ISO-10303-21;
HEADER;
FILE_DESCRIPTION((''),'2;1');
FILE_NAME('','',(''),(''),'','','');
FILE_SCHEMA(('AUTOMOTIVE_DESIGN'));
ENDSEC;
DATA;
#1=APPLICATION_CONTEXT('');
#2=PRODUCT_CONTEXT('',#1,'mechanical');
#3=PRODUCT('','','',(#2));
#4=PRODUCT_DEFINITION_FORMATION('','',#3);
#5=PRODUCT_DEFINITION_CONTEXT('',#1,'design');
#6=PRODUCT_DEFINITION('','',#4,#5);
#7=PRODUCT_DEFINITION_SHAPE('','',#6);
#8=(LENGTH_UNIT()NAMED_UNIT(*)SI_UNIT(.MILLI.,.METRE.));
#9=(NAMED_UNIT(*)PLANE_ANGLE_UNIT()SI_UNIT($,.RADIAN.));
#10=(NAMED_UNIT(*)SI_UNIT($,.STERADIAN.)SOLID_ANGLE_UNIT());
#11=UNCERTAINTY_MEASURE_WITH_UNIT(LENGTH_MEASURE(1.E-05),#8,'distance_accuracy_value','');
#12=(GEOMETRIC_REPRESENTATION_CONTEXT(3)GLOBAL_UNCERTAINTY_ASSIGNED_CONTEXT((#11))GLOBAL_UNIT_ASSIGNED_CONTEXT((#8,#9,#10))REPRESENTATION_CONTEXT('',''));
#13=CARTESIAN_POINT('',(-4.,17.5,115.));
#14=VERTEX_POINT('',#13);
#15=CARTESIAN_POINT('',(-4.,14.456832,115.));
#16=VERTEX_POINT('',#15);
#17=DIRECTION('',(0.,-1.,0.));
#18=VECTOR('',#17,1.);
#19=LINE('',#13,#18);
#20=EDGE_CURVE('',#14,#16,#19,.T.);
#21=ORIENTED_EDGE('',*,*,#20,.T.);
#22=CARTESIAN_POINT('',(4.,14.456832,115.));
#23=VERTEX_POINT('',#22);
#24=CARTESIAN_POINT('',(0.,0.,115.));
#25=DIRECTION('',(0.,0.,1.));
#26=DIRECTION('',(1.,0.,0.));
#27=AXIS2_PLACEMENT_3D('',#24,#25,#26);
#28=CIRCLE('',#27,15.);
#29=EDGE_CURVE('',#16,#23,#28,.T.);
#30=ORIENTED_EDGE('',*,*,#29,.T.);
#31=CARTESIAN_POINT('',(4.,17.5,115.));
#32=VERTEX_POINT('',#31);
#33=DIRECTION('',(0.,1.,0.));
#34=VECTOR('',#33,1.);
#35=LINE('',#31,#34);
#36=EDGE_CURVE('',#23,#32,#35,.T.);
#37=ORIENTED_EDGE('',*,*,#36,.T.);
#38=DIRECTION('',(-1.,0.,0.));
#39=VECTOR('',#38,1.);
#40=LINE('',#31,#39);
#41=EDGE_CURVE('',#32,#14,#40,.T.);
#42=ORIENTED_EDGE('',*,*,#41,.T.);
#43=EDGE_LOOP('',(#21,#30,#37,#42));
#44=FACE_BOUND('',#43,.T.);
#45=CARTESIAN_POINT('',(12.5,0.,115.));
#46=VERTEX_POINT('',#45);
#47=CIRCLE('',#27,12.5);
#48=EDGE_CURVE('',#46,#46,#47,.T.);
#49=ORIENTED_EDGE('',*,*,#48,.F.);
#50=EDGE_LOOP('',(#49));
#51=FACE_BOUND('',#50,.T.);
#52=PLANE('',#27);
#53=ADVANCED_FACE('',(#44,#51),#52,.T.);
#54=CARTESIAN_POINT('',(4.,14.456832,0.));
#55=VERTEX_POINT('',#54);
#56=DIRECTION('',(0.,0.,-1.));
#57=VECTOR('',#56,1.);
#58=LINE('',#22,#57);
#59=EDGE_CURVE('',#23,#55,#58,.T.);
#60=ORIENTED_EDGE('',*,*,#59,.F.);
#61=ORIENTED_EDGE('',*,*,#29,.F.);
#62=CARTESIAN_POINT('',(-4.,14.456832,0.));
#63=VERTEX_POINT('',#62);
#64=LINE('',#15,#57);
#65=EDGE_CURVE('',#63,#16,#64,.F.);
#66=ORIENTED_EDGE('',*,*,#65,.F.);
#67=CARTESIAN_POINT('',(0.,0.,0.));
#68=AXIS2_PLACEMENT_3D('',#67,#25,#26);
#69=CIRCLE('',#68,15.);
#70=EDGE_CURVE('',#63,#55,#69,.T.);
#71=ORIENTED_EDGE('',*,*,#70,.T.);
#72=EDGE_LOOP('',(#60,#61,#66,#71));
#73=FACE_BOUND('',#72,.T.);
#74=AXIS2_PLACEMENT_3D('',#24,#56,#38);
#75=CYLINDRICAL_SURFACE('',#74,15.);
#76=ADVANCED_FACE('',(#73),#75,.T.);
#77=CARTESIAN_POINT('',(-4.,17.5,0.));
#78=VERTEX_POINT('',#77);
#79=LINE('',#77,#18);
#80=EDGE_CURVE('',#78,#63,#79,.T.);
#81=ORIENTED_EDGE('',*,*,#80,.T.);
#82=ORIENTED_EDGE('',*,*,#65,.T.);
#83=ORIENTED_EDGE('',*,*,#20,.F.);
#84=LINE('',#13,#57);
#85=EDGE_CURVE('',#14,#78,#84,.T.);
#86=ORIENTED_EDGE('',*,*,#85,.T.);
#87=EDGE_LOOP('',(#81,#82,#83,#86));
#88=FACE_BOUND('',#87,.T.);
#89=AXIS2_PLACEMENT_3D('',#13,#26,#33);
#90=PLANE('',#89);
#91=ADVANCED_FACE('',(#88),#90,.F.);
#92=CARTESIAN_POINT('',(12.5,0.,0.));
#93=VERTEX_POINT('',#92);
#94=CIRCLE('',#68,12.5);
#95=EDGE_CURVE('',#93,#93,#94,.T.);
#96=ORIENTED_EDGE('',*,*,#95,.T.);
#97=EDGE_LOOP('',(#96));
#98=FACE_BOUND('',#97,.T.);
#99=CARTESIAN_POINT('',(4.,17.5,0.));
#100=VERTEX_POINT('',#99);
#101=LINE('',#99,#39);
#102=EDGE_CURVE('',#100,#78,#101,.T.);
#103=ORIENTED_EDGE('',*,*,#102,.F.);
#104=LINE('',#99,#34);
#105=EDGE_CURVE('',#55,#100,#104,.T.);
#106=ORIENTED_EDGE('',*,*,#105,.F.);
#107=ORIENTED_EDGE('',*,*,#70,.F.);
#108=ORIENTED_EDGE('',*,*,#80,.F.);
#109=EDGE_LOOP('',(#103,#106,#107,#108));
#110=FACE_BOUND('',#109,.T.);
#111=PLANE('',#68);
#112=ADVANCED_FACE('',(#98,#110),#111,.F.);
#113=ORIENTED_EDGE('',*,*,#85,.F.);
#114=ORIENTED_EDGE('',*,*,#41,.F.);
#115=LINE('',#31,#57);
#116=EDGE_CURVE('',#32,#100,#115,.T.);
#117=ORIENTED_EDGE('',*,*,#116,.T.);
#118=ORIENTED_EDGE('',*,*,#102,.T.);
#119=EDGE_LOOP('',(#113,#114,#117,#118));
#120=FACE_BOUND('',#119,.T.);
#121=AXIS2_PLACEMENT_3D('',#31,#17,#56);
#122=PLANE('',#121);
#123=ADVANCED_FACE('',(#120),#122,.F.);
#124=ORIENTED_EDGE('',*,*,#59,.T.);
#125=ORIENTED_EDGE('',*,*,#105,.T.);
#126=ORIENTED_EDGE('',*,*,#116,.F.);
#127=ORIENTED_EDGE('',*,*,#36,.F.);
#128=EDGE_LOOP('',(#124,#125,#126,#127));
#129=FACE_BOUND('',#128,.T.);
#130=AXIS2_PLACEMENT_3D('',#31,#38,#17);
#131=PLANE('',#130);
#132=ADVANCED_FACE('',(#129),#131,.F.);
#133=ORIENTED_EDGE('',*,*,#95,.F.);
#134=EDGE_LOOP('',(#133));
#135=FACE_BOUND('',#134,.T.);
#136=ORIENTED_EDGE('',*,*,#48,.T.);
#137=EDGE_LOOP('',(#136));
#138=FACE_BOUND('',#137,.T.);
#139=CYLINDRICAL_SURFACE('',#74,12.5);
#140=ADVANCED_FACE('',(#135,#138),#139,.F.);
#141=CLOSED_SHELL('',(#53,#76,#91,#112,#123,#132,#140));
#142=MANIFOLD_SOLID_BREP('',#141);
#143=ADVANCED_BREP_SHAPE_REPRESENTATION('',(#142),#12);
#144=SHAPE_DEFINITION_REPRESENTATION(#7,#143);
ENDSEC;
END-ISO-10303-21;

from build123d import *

# Parameters (mm, degrees)
SKETCH1_R           = 15
SKETCH1_R_2         = 12.5
BOSS_EXTRUDE1_DEPTH = 115
SKETCH2_W           = 8
SKETCH2_H           = 5
BOSS_EXTRUDE2_DEPTH = 115


with BuildPart() as part:
    # Sketch1 → Boss-Extrude1 (new body)
    with BuildSketch(Plane.XY):
        Circle(SKETCH1_R)
        Circle(SKETCH1_R_2, mode=Mode.SUBTRACT)
    extrude(amount=BOSS_EXTRUDE1_DEPTH)

    # Sketch2 → Boss-Extrude2 (add)
    with BuildSketch(Plane.XY):
        with Locations((0, 15)):
            Rectangle(SKETCH2_W, SKETCH2_H)
    extrude(amount=BOSS_EXTRUDE2_DEPTH)


solid = part.part
